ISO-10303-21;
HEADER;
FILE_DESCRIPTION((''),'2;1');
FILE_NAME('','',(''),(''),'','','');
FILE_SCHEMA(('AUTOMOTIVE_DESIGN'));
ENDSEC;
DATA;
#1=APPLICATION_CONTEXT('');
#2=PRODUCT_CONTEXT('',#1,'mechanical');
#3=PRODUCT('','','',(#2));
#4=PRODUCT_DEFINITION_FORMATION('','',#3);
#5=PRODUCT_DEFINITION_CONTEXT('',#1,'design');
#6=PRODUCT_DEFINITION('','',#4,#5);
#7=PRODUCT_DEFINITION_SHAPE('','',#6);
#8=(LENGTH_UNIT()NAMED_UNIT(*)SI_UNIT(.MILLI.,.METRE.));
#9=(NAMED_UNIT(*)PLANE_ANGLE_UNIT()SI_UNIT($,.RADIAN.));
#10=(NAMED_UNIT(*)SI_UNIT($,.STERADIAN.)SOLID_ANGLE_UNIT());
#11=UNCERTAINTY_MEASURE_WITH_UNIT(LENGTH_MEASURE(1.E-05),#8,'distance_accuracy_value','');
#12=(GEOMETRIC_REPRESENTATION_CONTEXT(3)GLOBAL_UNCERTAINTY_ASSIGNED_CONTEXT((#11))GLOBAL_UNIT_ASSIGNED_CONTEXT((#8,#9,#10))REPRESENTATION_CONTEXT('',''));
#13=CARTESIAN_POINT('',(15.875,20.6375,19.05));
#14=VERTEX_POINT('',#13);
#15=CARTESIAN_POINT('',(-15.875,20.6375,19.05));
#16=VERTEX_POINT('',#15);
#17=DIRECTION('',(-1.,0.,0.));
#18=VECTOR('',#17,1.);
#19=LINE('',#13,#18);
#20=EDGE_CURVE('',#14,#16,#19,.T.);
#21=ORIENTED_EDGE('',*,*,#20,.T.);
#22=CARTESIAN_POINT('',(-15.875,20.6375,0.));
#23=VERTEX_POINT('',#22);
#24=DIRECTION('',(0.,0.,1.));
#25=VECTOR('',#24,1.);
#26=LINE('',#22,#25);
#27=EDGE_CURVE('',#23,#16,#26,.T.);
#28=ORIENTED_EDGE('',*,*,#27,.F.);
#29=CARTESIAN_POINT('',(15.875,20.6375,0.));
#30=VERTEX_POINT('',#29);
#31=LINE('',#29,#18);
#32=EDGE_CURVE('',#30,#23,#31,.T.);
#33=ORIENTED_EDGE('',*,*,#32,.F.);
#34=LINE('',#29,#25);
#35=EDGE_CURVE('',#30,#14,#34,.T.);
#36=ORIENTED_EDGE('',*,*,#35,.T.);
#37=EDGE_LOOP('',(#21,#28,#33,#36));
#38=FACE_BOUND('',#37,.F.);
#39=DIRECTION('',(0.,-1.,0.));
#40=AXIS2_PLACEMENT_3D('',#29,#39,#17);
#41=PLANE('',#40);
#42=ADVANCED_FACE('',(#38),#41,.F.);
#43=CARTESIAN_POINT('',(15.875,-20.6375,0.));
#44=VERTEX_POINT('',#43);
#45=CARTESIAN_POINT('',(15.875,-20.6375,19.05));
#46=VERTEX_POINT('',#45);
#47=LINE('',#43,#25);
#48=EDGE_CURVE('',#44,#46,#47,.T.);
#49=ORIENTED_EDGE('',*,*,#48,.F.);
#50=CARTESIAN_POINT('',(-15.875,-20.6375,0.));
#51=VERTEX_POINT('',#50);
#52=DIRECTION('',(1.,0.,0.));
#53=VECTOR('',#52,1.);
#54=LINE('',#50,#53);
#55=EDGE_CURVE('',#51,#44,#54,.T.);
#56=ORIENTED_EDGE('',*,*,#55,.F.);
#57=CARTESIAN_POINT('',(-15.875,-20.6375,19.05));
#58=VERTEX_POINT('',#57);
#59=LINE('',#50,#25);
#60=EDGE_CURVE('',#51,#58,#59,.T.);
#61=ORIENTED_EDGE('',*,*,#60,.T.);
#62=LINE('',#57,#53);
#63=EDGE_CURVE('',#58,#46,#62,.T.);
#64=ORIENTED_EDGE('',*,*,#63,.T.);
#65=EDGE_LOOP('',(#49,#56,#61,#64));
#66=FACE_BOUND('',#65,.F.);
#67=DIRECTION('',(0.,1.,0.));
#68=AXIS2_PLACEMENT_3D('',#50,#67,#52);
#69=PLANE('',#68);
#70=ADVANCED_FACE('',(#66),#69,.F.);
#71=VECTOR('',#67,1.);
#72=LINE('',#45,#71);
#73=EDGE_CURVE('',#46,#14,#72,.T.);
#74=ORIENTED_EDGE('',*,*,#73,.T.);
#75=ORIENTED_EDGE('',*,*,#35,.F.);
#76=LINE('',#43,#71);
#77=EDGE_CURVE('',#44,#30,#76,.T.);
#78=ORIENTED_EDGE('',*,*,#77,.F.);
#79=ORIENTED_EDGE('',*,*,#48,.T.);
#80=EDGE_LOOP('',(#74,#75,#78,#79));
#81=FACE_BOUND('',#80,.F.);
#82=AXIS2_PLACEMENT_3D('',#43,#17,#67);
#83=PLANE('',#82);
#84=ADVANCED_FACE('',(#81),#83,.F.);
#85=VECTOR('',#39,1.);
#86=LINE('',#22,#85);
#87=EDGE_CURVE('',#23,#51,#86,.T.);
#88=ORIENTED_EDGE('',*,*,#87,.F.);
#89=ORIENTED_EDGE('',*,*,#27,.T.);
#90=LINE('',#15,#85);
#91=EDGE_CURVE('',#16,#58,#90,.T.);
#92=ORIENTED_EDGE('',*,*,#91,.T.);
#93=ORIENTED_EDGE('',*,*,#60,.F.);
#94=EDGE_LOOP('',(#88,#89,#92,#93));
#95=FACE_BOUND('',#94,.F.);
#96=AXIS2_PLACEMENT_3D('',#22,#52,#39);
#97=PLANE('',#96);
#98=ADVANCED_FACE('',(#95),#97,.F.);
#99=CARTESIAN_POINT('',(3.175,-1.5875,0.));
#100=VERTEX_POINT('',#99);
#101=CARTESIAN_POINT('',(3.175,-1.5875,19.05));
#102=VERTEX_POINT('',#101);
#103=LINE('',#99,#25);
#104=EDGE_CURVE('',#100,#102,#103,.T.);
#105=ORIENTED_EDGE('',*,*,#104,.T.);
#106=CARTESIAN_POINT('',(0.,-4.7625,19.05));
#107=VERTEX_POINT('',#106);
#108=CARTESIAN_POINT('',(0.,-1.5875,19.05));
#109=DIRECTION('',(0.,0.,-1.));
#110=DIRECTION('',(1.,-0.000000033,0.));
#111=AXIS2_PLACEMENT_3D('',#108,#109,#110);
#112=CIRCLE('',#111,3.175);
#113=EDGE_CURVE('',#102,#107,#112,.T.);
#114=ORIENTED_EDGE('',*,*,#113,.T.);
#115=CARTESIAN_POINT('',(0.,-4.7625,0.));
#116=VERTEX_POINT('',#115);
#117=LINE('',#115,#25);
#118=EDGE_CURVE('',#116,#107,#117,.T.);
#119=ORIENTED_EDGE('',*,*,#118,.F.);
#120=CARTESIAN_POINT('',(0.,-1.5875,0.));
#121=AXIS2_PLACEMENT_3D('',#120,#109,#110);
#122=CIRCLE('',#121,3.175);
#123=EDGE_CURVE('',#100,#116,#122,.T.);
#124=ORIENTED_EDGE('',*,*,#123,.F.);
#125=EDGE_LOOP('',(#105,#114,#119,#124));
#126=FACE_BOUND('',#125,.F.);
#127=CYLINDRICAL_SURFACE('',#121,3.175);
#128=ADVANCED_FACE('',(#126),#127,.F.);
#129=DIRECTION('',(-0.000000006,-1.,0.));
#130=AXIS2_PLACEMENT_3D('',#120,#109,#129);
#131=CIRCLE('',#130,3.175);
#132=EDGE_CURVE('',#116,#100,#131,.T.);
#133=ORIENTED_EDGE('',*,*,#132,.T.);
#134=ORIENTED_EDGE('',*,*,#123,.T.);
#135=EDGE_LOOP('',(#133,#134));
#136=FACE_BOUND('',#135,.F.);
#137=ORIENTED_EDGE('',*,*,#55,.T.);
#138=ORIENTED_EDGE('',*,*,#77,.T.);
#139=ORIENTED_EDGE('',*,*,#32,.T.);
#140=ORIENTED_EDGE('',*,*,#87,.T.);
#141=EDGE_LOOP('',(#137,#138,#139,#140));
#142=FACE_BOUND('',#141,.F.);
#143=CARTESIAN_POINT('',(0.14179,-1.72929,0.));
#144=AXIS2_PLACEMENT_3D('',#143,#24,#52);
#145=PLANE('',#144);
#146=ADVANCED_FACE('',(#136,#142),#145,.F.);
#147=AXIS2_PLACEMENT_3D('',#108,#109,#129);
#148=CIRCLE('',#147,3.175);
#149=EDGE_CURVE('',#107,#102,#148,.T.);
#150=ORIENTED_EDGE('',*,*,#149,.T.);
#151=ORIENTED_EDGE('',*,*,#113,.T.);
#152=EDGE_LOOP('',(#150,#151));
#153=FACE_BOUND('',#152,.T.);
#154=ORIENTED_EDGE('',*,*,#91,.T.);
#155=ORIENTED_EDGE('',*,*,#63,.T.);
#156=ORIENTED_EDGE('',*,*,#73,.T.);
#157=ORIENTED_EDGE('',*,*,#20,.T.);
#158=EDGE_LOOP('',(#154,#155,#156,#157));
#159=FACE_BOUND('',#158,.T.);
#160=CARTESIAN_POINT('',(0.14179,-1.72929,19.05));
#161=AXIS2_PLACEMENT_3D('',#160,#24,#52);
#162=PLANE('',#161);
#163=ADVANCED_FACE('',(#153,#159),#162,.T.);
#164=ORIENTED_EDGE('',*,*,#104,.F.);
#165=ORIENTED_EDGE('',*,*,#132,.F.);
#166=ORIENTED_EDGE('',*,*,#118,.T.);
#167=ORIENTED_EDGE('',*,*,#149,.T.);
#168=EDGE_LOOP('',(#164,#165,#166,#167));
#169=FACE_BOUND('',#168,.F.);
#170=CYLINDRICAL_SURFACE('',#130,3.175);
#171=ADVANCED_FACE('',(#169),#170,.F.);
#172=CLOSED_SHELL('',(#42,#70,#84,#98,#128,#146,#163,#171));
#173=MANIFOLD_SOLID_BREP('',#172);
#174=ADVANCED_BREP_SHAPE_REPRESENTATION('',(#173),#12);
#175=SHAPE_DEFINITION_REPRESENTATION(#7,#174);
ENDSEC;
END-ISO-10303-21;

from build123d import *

# Parameters (mm, degrees)
F1_DEPTH = 19.05


with BuildPart() as f1:
    # F0 (on Top) → F1 (new body)
    with BuildSketch(Plane.XY):
        with BuildLine():
            ThreePointArc((3.175, -1.5875), (-2.245064, 0.657564), (0, -4.7625))
            ThreePointArc((0, -4.7625), (2.245064, -3.832564), (3.175, -1.5875))
        make_face()
        Polygon((15.875, -20.6375), (15.875, 20.6375), (-15.875, 20.6375), (-15.875, -20.6375), (0, -20.6375), align=None)
        with BuildLine():
            ThreePointArc((3.175, -1.5875), (2.245064, -3.832564), (0, -4.7625))
            ThreePointArc((0, -4.7625), (-2.245064, 0.657564), (3.175, -1.5875))
        make_face(mode=Mode.SUBTRACT)
    extrude(amount=F1_DEPTH)


solid = f1.part
